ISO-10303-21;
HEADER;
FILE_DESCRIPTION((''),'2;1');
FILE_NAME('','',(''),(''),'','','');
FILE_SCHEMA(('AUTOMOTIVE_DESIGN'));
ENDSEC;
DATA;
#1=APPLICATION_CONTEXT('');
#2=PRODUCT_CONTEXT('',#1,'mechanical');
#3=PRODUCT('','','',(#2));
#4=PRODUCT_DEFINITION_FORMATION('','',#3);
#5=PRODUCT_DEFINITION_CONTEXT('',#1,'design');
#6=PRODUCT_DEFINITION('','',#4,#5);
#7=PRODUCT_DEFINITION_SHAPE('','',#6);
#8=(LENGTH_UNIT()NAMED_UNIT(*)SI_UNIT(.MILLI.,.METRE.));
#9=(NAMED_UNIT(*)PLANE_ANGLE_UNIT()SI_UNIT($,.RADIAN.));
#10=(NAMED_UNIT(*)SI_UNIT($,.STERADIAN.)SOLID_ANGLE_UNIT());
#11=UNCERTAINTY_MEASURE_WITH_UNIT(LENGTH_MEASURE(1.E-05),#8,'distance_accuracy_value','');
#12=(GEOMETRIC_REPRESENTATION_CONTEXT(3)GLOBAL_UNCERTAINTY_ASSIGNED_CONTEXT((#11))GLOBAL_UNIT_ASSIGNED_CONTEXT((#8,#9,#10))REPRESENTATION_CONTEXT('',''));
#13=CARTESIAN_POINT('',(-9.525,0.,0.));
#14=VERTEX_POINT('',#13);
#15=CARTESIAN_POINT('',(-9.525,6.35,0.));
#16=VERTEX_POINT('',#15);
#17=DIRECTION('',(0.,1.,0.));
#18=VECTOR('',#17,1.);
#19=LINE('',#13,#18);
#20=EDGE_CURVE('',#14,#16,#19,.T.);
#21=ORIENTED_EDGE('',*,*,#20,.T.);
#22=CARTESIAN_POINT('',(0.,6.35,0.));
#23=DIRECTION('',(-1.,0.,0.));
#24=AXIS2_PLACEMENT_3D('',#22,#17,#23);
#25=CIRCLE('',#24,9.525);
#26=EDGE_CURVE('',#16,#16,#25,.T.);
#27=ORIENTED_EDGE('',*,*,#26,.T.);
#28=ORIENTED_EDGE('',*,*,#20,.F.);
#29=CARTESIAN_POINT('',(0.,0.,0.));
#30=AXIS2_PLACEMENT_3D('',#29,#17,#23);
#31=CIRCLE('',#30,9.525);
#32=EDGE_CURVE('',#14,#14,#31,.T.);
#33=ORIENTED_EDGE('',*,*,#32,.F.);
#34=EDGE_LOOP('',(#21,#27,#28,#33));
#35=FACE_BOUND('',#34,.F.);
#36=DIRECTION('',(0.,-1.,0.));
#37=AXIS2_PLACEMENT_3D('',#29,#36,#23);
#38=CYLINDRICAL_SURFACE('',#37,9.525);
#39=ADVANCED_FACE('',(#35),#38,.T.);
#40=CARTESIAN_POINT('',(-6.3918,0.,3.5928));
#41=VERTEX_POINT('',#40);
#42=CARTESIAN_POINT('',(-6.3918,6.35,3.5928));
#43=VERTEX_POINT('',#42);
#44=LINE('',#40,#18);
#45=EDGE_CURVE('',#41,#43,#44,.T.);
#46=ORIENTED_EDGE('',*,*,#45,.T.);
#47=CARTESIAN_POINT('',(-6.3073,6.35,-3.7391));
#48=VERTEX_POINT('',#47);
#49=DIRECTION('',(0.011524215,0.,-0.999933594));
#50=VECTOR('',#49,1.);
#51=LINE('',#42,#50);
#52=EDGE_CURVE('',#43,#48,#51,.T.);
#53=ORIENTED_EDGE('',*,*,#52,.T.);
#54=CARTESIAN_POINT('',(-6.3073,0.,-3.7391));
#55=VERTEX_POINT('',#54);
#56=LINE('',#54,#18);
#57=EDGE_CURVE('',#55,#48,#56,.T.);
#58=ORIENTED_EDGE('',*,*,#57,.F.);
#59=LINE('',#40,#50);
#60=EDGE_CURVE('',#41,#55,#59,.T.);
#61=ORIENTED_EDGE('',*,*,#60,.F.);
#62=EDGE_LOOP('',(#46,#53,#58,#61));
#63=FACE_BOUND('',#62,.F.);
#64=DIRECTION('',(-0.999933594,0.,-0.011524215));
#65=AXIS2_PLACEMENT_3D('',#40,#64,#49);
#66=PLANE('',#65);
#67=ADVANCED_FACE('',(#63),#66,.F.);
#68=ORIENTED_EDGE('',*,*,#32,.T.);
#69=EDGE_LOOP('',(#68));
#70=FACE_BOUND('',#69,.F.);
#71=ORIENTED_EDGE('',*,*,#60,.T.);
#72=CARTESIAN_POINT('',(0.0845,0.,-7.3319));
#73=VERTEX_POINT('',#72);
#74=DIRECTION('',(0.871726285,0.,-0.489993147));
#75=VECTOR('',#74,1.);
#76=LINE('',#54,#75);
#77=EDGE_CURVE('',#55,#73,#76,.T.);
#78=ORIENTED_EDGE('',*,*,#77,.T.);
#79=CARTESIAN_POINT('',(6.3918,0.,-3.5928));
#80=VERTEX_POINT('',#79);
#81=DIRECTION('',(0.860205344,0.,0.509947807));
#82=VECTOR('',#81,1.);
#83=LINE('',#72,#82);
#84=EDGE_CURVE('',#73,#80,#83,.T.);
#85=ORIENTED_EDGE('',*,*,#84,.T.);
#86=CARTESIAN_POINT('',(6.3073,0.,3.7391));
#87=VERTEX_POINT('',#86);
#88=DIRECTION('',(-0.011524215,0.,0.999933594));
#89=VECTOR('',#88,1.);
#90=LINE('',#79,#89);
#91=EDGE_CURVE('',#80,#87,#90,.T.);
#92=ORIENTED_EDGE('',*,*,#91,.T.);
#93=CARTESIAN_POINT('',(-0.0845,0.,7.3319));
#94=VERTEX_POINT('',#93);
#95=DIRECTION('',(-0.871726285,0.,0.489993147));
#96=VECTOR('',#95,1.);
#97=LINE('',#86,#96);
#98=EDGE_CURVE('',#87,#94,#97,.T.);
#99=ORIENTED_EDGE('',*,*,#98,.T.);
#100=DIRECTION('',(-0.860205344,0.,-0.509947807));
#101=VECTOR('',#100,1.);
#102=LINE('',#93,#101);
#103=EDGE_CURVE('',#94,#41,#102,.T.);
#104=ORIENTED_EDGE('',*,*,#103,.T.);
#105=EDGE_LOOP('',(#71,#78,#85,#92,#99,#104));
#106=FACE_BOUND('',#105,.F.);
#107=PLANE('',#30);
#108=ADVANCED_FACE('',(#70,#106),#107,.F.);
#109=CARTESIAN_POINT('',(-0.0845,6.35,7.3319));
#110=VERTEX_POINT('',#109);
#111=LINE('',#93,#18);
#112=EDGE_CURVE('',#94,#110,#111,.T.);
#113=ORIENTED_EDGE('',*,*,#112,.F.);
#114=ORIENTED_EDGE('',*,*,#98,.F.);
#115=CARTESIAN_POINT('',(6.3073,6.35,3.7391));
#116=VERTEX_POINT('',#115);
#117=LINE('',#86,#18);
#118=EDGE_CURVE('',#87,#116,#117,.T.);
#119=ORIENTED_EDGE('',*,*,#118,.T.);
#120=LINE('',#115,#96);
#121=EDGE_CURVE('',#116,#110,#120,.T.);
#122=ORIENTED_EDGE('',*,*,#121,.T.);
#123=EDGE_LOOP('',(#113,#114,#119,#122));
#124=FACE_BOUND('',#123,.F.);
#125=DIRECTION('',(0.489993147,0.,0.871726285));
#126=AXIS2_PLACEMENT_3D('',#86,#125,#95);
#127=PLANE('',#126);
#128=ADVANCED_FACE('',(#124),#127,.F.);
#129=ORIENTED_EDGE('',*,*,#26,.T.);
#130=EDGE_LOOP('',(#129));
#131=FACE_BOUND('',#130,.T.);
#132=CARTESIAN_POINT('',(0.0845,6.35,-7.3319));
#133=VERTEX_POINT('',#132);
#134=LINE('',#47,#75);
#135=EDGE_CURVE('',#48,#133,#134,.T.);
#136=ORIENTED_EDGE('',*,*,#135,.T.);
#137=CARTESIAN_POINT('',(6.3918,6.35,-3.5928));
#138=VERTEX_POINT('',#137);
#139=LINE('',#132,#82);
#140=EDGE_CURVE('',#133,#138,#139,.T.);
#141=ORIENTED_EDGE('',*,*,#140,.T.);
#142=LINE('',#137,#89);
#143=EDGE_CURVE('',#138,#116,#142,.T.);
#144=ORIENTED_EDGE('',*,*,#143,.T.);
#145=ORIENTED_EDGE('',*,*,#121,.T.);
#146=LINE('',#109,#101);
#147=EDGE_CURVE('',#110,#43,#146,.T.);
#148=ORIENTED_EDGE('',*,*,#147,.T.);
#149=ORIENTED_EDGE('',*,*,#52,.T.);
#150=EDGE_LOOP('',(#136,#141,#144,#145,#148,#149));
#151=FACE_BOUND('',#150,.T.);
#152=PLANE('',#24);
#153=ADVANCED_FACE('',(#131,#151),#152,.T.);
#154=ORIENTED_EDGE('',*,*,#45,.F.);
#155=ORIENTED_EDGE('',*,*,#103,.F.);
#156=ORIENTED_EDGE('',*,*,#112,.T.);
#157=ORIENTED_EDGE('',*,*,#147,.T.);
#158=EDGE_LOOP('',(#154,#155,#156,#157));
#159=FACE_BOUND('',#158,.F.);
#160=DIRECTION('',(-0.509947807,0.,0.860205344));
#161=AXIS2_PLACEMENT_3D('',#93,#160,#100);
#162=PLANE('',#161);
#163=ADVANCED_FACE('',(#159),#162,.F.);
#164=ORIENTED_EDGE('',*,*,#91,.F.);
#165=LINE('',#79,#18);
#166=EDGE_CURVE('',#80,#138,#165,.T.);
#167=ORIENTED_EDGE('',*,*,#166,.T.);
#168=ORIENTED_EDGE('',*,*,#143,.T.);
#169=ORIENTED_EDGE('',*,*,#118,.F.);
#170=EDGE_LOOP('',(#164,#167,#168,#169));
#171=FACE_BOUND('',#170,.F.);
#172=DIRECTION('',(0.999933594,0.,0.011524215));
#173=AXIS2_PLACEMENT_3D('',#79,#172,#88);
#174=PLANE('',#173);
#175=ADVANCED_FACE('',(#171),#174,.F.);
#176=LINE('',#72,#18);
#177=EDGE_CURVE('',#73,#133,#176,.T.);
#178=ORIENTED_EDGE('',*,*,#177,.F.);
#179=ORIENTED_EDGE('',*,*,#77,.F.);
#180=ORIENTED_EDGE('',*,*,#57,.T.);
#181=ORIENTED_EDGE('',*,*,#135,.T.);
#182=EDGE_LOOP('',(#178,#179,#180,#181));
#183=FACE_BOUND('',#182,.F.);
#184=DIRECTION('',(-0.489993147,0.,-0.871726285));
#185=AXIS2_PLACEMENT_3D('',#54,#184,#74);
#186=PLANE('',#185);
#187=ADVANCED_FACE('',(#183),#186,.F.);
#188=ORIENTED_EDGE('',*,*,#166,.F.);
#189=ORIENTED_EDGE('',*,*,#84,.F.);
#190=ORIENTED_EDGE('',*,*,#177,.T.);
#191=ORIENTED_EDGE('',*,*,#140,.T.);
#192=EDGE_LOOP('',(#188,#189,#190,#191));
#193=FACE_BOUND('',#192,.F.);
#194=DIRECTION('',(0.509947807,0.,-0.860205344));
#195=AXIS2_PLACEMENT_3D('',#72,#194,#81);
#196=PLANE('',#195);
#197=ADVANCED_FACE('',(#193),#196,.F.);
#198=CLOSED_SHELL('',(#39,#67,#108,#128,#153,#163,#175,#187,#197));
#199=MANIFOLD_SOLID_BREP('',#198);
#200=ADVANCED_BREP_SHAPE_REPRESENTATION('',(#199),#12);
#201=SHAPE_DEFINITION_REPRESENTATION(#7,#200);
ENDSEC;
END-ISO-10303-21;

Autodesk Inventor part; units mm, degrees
ref_plane "YZ Plane" through (0, 0, 0) normal (1, 0, 0) x (0, 1, 0)
ref_plane "XZ Plane" through (0, 0, 0) normal (0, 1, 0) x (-1, 0, 0)
ref_plane "XY Plane" through (0, 0, 0) normal (0, 0, 1) x (1, 0, 0)
sketch "Sketch1" plane through (0, 0, 0) normal (0, 1, 0) x (-1, 0, 0)
  circle A0 centre (0, 0) radius 9.525
  line L0 (6.3918, 3.5928) -> (6.3073, -3.7391)
  line L1 (6.3073, -3.7391) -> (-0.0845, -7.3319)
  line L2 (-0.0845, -7.3319) -> (-6.3918, -3.5928)
  line L3 (-6.3918, -3.5928) -> (-6.3073, 3.7391)
  line L4 (-6.3073, 3.7391) -> (0.0845, 7.3319)
  line L5 (0.0845, 7.3319) -> (6.3918, 3.5928)
  point P0 (6.3496, -0.0731)
  dimension "d0" = 19.05
  dimension "d1" = 12.7
extrude "Extrusion1" add sketch "Sketch1" along normal blind 6.35
properties part number "spacer"
